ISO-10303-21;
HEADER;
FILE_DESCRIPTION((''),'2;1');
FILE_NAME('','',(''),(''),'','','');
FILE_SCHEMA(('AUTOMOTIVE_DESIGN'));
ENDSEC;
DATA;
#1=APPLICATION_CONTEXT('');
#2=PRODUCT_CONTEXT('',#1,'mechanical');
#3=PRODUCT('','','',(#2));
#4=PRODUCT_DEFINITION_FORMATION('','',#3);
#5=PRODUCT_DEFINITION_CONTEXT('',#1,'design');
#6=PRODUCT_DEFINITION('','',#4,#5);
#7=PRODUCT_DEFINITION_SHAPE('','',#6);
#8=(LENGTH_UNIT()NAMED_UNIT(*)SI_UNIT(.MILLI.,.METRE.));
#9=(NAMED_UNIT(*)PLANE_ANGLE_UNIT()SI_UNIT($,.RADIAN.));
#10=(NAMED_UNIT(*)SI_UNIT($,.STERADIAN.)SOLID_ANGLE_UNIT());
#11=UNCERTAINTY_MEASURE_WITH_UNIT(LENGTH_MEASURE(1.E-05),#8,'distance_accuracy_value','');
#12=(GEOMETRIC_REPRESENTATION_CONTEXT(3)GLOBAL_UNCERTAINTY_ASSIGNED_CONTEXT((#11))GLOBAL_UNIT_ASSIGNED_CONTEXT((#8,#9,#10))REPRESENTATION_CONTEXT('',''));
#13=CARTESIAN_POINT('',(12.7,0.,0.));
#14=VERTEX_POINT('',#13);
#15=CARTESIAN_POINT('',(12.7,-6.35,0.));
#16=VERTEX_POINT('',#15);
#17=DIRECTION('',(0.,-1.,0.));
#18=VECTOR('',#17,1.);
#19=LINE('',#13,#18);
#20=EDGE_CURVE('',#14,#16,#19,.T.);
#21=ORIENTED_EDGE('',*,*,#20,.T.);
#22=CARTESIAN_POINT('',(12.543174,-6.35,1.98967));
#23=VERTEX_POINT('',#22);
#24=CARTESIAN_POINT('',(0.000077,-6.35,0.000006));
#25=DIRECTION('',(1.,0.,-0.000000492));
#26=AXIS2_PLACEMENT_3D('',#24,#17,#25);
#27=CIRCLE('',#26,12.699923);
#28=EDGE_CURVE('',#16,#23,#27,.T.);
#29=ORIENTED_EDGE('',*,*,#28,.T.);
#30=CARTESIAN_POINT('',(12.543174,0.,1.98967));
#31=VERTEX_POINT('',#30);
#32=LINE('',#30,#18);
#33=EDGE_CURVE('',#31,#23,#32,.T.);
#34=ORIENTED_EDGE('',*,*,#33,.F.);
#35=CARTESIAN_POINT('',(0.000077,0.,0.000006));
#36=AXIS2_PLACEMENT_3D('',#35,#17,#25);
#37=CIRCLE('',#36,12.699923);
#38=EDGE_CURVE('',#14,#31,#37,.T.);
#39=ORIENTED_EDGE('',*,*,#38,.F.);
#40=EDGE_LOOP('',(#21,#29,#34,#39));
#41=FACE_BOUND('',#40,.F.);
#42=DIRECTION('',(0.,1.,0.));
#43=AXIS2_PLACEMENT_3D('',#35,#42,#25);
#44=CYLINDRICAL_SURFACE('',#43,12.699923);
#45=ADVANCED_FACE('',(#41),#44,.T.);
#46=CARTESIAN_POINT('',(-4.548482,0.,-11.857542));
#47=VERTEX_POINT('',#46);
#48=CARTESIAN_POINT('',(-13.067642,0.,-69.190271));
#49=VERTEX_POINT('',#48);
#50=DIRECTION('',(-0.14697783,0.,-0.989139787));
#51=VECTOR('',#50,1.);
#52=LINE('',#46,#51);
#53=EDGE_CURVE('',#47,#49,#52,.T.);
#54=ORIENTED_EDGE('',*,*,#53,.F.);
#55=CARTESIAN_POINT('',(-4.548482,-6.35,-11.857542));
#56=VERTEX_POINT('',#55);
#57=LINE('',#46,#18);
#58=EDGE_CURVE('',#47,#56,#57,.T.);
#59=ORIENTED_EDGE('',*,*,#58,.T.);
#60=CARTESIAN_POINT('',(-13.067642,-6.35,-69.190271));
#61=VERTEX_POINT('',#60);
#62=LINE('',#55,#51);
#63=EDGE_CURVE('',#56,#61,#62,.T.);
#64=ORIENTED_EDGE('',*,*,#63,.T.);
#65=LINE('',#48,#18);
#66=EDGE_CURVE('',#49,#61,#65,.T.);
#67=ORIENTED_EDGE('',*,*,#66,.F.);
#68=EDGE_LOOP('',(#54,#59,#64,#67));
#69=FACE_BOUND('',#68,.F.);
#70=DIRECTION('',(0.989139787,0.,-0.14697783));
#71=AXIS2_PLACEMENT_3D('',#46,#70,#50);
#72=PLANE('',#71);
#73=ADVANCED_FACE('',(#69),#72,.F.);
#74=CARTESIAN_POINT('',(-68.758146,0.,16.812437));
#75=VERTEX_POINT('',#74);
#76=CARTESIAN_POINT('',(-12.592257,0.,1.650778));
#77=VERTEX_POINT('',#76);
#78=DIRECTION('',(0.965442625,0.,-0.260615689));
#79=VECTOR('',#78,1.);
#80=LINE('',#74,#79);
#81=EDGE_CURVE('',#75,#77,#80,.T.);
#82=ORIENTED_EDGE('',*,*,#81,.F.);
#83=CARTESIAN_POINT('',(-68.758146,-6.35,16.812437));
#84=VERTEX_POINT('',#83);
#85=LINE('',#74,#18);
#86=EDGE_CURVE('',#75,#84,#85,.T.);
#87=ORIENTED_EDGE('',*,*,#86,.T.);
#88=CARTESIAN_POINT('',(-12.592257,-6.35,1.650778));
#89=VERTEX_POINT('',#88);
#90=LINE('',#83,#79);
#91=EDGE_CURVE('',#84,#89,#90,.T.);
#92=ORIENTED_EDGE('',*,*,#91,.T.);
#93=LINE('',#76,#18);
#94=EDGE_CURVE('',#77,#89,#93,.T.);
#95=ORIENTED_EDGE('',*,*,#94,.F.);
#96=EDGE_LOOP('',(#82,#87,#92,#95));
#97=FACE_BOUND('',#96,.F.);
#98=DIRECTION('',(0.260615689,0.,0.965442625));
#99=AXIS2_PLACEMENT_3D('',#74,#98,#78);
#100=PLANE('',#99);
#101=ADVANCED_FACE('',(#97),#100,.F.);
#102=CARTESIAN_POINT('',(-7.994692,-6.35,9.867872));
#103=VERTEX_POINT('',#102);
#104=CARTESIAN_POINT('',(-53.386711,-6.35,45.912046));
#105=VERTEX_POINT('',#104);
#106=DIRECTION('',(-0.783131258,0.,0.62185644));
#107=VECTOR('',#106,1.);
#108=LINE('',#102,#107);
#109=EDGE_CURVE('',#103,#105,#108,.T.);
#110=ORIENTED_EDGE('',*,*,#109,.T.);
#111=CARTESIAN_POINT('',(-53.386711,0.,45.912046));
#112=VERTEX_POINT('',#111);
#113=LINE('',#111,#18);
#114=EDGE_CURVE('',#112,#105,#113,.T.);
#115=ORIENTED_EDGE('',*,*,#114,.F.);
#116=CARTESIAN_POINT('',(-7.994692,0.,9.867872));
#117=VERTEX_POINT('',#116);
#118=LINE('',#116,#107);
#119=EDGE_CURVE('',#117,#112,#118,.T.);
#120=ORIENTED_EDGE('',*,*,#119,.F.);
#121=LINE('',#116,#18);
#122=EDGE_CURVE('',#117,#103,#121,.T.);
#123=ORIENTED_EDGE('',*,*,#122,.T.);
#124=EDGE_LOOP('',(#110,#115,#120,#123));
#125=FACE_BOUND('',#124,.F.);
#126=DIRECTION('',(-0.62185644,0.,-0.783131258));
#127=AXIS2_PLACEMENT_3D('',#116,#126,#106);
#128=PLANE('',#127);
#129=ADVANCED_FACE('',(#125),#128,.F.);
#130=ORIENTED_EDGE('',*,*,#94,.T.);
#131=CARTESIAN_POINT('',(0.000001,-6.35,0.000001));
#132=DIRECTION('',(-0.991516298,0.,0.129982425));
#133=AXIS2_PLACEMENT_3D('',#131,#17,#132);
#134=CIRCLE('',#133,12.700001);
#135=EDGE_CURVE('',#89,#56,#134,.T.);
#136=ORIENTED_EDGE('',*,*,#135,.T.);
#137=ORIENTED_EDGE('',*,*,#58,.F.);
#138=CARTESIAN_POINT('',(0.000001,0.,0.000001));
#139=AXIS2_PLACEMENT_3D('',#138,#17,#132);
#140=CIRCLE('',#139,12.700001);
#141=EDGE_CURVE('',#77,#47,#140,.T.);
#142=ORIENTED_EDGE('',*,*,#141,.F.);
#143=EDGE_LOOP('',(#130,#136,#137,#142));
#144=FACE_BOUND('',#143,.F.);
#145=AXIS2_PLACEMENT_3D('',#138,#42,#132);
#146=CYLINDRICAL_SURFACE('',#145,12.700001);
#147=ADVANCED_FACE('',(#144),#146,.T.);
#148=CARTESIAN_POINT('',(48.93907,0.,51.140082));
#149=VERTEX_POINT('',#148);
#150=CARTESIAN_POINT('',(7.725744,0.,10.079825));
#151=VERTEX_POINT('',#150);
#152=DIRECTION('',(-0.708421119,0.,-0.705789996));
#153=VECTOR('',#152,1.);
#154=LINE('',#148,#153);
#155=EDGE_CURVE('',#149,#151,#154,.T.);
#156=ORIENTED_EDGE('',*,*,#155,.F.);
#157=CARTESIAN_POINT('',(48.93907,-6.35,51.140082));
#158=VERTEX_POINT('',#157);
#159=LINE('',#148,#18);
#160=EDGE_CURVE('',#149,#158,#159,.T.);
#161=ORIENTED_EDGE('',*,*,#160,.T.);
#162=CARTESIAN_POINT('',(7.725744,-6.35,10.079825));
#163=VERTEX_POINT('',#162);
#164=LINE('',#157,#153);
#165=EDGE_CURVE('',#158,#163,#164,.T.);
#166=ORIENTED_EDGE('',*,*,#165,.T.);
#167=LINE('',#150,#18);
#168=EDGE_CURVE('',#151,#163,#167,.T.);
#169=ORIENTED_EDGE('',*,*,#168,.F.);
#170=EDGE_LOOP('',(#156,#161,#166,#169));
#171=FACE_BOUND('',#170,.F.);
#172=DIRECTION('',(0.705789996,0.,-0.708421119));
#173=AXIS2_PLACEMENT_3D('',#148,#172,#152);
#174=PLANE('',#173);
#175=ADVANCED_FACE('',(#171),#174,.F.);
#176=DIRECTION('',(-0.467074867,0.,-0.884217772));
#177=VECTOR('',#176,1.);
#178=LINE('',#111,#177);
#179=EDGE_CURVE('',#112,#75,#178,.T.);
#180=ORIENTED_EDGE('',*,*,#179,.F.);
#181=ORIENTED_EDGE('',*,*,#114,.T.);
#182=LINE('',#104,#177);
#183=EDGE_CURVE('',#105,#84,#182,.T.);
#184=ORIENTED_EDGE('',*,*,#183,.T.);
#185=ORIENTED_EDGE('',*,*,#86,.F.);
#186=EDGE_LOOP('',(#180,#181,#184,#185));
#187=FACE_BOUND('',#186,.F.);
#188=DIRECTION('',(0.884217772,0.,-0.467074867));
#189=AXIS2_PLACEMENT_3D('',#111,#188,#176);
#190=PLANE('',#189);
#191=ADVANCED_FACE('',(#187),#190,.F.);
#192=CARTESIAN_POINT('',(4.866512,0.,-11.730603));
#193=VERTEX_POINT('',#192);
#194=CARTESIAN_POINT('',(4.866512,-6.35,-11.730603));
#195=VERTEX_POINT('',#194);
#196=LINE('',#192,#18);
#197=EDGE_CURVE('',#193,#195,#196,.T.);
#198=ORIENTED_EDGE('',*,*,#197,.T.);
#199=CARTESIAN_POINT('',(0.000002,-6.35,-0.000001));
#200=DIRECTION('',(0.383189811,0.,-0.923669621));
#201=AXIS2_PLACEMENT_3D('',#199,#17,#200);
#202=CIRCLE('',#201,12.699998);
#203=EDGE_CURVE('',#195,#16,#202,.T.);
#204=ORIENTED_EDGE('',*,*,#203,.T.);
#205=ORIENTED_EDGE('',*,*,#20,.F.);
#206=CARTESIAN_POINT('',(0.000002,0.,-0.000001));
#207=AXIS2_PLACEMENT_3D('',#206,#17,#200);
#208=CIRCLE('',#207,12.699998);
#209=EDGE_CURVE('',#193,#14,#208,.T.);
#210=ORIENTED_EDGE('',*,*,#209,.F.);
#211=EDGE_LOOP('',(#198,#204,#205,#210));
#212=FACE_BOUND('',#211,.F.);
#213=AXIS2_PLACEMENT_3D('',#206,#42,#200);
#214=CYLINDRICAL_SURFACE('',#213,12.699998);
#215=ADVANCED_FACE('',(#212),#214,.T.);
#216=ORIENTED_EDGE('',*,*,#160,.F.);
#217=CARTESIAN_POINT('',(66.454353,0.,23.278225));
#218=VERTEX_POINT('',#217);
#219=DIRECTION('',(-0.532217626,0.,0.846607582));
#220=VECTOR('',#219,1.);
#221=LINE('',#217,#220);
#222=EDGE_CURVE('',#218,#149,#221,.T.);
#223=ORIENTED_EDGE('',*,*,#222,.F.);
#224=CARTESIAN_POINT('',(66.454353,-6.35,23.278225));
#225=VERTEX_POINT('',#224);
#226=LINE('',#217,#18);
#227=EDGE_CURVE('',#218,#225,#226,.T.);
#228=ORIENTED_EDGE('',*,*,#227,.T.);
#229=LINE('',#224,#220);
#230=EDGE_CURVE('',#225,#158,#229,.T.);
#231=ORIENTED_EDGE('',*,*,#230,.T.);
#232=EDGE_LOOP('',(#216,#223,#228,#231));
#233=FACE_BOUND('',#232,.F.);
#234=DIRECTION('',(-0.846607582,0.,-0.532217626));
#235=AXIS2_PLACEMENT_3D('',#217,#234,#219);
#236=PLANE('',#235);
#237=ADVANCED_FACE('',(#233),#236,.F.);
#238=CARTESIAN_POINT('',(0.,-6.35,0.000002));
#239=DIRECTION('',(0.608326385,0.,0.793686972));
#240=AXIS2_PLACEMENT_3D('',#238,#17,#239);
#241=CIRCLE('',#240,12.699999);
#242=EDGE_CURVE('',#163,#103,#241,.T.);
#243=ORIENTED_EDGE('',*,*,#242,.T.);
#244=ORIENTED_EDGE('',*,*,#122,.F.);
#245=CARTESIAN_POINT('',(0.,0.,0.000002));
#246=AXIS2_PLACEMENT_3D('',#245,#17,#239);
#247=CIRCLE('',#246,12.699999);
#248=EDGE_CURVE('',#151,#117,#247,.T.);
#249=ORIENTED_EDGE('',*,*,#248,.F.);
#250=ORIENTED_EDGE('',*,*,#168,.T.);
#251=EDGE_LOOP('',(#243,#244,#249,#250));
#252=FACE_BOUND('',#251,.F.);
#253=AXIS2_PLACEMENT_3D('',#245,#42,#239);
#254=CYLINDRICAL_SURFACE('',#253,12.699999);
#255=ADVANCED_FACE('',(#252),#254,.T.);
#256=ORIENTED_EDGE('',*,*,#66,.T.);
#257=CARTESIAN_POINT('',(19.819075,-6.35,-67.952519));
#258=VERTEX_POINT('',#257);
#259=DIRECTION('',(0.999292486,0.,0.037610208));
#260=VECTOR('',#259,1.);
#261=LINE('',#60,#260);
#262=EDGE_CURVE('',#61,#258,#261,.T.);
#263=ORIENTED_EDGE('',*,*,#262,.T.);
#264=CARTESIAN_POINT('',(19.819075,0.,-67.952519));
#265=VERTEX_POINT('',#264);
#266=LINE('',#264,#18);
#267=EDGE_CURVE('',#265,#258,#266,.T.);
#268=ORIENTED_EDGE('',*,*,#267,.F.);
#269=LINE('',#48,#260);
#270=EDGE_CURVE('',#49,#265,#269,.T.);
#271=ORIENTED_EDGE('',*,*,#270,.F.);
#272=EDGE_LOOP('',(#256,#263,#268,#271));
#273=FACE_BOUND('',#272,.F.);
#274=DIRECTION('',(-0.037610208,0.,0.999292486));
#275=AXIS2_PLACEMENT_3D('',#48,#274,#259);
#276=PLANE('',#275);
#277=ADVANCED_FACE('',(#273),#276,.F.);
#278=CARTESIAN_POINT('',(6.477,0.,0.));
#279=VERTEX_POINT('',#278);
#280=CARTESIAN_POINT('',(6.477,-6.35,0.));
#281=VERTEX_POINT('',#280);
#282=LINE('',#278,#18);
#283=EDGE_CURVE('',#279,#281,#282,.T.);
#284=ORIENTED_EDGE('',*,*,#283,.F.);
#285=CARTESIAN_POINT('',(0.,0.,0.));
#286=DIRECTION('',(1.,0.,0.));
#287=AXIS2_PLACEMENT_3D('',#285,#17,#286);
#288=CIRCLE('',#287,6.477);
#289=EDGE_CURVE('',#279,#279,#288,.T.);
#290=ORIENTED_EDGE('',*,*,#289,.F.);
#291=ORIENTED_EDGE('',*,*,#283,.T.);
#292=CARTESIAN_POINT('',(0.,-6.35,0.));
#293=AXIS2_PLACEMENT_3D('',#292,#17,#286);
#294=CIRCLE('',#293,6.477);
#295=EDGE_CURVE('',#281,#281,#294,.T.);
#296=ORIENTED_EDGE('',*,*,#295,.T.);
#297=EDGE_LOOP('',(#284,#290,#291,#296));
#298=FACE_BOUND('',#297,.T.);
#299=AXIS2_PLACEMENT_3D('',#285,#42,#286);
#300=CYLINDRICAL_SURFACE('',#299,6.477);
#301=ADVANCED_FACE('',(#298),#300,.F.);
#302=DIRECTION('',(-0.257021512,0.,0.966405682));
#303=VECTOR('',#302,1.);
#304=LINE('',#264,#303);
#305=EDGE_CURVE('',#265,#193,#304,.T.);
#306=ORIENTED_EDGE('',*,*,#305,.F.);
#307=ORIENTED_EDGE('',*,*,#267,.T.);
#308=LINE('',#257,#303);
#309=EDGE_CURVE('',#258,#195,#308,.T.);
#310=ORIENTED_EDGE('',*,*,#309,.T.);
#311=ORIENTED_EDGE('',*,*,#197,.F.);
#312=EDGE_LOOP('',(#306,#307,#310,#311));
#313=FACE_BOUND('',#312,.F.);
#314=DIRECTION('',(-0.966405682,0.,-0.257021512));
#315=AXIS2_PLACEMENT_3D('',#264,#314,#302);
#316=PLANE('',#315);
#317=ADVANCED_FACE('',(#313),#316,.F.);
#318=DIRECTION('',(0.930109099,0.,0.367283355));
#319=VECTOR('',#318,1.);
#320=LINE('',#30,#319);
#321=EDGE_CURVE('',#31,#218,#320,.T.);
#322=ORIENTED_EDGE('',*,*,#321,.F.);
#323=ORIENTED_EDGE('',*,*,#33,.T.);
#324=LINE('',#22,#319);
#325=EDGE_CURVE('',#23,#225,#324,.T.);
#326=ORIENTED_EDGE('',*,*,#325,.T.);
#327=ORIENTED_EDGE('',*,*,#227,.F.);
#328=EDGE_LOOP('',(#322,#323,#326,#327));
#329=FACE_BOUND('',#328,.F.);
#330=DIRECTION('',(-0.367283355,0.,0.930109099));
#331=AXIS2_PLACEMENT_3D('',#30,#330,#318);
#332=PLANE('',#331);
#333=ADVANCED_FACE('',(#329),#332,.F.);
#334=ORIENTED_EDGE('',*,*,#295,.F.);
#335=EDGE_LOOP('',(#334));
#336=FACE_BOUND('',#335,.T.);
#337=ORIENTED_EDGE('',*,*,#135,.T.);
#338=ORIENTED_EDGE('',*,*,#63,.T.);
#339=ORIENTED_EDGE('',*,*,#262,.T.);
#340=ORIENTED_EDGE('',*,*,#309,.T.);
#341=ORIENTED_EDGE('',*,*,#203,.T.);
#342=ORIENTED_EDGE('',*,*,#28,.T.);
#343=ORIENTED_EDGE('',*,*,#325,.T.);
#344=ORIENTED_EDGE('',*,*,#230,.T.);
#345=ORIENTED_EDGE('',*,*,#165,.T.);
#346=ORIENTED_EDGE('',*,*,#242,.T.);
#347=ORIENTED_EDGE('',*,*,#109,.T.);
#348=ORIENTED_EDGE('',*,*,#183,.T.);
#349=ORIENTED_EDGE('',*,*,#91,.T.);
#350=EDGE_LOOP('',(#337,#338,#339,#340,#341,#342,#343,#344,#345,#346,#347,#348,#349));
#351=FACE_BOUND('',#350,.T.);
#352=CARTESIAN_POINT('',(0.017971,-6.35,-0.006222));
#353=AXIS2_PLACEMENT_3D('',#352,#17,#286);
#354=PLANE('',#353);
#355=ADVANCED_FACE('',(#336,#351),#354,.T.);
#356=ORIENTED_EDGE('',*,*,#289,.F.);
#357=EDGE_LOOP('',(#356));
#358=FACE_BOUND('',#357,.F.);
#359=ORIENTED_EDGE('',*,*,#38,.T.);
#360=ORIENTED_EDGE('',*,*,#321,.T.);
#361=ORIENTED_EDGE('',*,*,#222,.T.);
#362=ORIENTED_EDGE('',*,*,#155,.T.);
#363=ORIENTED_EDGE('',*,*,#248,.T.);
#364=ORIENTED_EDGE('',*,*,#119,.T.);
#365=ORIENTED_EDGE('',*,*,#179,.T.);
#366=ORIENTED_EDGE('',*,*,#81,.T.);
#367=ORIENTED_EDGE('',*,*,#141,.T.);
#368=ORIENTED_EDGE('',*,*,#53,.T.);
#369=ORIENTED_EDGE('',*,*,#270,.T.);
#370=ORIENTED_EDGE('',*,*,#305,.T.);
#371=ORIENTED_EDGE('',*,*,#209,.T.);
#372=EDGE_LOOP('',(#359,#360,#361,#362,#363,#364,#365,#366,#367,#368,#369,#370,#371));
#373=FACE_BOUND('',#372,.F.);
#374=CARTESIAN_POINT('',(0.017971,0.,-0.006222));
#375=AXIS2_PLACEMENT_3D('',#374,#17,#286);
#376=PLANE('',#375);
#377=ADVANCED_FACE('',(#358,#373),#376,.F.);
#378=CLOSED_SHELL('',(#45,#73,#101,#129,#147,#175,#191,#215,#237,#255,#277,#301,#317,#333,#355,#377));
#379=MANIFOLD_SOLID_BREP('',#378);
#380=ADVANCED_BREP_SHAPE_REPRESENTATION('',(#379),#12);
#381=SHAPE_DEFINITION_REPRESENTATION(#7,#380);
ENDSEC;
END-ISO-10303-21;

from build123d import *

# Parameters (mm, degrees)
F0_R     = 6.477
F1_DEPTH = 6.35


with BuildPart() as f1:
    # F0 (on Front) → F1 (new body)
    with BuildSketch(Plane.XZ):
        with BuildLine():
            ThreePointArc((4.866512, -11.730603), (10.561598, -7.052847), (12.7, 0))
            ThreePointArc((12.7, 0), (12.660733, 0.997921), (12.543174, 1.98967))
            ThreePointArc((12.543174, 1.98967), (10.911916, 6.497698), (7.725744, 10.079825))
            ThreePointArc((7.725744, 10.079825), (-0.171214, 12.698846), (-7.994692, 9.867872))
            ThreePointArc((-7.994692, 9.867872), (-11.08313, 6.201147), (-12.592257, 1.650778))
            ThreePointArc((-12.592257, 1.650778), (-10.911916, -6.497698), (-4.548482, -11.857542))
            ThreePointArc((-4.548482, -11.857542), (0.171214, -12.698846), (4.866512, -11.730603))
        make_face()
        Circle(F0_R, mode=Mode.SUBTRACT)
        with BuildLine():
            ThreePointArc((7.725744, 10.079825), (10.911916, 6.497698), (12.543174, 1.98967))
            Line((12.543174, 1.98967), (66.454353, 23.278225))
            Line((66.454353, 23.278225), (48.93907, 51.140082))
            Line((48.93907, 51.140082), (7.725744, 10.079825))
        make_face()
        with BuildLine():
            Line((19.819075, -67.952519), (4.866512, -11.730603))
            ThreePointArc((4.866512, -11.730603), (0.171214, -12.698846), (-4.548482, -11.857542))
            Line((-4.548482, -11.857542), (-13.067642, -69.190271))
            Line((-13.067642, -69.190271), (19.819075, -67.952519))
        make_face()
        with BuildLine():
            ThreePointArc((-12.592257, 1.650778), (-11.08313, 6.201147), (-7.994692, 9.867872))
            Line((-7.994692, 9.867872), (-53.386711, 45.912046))
            Line((-53.386711, 45.912046), (-68.758146, 16.812437))
            Line((-68.758146, 16.812437), (-12.592257, 1.650778))
        make_face()
    extrude(amount=F1_DEPTH)


solid = f1.part
